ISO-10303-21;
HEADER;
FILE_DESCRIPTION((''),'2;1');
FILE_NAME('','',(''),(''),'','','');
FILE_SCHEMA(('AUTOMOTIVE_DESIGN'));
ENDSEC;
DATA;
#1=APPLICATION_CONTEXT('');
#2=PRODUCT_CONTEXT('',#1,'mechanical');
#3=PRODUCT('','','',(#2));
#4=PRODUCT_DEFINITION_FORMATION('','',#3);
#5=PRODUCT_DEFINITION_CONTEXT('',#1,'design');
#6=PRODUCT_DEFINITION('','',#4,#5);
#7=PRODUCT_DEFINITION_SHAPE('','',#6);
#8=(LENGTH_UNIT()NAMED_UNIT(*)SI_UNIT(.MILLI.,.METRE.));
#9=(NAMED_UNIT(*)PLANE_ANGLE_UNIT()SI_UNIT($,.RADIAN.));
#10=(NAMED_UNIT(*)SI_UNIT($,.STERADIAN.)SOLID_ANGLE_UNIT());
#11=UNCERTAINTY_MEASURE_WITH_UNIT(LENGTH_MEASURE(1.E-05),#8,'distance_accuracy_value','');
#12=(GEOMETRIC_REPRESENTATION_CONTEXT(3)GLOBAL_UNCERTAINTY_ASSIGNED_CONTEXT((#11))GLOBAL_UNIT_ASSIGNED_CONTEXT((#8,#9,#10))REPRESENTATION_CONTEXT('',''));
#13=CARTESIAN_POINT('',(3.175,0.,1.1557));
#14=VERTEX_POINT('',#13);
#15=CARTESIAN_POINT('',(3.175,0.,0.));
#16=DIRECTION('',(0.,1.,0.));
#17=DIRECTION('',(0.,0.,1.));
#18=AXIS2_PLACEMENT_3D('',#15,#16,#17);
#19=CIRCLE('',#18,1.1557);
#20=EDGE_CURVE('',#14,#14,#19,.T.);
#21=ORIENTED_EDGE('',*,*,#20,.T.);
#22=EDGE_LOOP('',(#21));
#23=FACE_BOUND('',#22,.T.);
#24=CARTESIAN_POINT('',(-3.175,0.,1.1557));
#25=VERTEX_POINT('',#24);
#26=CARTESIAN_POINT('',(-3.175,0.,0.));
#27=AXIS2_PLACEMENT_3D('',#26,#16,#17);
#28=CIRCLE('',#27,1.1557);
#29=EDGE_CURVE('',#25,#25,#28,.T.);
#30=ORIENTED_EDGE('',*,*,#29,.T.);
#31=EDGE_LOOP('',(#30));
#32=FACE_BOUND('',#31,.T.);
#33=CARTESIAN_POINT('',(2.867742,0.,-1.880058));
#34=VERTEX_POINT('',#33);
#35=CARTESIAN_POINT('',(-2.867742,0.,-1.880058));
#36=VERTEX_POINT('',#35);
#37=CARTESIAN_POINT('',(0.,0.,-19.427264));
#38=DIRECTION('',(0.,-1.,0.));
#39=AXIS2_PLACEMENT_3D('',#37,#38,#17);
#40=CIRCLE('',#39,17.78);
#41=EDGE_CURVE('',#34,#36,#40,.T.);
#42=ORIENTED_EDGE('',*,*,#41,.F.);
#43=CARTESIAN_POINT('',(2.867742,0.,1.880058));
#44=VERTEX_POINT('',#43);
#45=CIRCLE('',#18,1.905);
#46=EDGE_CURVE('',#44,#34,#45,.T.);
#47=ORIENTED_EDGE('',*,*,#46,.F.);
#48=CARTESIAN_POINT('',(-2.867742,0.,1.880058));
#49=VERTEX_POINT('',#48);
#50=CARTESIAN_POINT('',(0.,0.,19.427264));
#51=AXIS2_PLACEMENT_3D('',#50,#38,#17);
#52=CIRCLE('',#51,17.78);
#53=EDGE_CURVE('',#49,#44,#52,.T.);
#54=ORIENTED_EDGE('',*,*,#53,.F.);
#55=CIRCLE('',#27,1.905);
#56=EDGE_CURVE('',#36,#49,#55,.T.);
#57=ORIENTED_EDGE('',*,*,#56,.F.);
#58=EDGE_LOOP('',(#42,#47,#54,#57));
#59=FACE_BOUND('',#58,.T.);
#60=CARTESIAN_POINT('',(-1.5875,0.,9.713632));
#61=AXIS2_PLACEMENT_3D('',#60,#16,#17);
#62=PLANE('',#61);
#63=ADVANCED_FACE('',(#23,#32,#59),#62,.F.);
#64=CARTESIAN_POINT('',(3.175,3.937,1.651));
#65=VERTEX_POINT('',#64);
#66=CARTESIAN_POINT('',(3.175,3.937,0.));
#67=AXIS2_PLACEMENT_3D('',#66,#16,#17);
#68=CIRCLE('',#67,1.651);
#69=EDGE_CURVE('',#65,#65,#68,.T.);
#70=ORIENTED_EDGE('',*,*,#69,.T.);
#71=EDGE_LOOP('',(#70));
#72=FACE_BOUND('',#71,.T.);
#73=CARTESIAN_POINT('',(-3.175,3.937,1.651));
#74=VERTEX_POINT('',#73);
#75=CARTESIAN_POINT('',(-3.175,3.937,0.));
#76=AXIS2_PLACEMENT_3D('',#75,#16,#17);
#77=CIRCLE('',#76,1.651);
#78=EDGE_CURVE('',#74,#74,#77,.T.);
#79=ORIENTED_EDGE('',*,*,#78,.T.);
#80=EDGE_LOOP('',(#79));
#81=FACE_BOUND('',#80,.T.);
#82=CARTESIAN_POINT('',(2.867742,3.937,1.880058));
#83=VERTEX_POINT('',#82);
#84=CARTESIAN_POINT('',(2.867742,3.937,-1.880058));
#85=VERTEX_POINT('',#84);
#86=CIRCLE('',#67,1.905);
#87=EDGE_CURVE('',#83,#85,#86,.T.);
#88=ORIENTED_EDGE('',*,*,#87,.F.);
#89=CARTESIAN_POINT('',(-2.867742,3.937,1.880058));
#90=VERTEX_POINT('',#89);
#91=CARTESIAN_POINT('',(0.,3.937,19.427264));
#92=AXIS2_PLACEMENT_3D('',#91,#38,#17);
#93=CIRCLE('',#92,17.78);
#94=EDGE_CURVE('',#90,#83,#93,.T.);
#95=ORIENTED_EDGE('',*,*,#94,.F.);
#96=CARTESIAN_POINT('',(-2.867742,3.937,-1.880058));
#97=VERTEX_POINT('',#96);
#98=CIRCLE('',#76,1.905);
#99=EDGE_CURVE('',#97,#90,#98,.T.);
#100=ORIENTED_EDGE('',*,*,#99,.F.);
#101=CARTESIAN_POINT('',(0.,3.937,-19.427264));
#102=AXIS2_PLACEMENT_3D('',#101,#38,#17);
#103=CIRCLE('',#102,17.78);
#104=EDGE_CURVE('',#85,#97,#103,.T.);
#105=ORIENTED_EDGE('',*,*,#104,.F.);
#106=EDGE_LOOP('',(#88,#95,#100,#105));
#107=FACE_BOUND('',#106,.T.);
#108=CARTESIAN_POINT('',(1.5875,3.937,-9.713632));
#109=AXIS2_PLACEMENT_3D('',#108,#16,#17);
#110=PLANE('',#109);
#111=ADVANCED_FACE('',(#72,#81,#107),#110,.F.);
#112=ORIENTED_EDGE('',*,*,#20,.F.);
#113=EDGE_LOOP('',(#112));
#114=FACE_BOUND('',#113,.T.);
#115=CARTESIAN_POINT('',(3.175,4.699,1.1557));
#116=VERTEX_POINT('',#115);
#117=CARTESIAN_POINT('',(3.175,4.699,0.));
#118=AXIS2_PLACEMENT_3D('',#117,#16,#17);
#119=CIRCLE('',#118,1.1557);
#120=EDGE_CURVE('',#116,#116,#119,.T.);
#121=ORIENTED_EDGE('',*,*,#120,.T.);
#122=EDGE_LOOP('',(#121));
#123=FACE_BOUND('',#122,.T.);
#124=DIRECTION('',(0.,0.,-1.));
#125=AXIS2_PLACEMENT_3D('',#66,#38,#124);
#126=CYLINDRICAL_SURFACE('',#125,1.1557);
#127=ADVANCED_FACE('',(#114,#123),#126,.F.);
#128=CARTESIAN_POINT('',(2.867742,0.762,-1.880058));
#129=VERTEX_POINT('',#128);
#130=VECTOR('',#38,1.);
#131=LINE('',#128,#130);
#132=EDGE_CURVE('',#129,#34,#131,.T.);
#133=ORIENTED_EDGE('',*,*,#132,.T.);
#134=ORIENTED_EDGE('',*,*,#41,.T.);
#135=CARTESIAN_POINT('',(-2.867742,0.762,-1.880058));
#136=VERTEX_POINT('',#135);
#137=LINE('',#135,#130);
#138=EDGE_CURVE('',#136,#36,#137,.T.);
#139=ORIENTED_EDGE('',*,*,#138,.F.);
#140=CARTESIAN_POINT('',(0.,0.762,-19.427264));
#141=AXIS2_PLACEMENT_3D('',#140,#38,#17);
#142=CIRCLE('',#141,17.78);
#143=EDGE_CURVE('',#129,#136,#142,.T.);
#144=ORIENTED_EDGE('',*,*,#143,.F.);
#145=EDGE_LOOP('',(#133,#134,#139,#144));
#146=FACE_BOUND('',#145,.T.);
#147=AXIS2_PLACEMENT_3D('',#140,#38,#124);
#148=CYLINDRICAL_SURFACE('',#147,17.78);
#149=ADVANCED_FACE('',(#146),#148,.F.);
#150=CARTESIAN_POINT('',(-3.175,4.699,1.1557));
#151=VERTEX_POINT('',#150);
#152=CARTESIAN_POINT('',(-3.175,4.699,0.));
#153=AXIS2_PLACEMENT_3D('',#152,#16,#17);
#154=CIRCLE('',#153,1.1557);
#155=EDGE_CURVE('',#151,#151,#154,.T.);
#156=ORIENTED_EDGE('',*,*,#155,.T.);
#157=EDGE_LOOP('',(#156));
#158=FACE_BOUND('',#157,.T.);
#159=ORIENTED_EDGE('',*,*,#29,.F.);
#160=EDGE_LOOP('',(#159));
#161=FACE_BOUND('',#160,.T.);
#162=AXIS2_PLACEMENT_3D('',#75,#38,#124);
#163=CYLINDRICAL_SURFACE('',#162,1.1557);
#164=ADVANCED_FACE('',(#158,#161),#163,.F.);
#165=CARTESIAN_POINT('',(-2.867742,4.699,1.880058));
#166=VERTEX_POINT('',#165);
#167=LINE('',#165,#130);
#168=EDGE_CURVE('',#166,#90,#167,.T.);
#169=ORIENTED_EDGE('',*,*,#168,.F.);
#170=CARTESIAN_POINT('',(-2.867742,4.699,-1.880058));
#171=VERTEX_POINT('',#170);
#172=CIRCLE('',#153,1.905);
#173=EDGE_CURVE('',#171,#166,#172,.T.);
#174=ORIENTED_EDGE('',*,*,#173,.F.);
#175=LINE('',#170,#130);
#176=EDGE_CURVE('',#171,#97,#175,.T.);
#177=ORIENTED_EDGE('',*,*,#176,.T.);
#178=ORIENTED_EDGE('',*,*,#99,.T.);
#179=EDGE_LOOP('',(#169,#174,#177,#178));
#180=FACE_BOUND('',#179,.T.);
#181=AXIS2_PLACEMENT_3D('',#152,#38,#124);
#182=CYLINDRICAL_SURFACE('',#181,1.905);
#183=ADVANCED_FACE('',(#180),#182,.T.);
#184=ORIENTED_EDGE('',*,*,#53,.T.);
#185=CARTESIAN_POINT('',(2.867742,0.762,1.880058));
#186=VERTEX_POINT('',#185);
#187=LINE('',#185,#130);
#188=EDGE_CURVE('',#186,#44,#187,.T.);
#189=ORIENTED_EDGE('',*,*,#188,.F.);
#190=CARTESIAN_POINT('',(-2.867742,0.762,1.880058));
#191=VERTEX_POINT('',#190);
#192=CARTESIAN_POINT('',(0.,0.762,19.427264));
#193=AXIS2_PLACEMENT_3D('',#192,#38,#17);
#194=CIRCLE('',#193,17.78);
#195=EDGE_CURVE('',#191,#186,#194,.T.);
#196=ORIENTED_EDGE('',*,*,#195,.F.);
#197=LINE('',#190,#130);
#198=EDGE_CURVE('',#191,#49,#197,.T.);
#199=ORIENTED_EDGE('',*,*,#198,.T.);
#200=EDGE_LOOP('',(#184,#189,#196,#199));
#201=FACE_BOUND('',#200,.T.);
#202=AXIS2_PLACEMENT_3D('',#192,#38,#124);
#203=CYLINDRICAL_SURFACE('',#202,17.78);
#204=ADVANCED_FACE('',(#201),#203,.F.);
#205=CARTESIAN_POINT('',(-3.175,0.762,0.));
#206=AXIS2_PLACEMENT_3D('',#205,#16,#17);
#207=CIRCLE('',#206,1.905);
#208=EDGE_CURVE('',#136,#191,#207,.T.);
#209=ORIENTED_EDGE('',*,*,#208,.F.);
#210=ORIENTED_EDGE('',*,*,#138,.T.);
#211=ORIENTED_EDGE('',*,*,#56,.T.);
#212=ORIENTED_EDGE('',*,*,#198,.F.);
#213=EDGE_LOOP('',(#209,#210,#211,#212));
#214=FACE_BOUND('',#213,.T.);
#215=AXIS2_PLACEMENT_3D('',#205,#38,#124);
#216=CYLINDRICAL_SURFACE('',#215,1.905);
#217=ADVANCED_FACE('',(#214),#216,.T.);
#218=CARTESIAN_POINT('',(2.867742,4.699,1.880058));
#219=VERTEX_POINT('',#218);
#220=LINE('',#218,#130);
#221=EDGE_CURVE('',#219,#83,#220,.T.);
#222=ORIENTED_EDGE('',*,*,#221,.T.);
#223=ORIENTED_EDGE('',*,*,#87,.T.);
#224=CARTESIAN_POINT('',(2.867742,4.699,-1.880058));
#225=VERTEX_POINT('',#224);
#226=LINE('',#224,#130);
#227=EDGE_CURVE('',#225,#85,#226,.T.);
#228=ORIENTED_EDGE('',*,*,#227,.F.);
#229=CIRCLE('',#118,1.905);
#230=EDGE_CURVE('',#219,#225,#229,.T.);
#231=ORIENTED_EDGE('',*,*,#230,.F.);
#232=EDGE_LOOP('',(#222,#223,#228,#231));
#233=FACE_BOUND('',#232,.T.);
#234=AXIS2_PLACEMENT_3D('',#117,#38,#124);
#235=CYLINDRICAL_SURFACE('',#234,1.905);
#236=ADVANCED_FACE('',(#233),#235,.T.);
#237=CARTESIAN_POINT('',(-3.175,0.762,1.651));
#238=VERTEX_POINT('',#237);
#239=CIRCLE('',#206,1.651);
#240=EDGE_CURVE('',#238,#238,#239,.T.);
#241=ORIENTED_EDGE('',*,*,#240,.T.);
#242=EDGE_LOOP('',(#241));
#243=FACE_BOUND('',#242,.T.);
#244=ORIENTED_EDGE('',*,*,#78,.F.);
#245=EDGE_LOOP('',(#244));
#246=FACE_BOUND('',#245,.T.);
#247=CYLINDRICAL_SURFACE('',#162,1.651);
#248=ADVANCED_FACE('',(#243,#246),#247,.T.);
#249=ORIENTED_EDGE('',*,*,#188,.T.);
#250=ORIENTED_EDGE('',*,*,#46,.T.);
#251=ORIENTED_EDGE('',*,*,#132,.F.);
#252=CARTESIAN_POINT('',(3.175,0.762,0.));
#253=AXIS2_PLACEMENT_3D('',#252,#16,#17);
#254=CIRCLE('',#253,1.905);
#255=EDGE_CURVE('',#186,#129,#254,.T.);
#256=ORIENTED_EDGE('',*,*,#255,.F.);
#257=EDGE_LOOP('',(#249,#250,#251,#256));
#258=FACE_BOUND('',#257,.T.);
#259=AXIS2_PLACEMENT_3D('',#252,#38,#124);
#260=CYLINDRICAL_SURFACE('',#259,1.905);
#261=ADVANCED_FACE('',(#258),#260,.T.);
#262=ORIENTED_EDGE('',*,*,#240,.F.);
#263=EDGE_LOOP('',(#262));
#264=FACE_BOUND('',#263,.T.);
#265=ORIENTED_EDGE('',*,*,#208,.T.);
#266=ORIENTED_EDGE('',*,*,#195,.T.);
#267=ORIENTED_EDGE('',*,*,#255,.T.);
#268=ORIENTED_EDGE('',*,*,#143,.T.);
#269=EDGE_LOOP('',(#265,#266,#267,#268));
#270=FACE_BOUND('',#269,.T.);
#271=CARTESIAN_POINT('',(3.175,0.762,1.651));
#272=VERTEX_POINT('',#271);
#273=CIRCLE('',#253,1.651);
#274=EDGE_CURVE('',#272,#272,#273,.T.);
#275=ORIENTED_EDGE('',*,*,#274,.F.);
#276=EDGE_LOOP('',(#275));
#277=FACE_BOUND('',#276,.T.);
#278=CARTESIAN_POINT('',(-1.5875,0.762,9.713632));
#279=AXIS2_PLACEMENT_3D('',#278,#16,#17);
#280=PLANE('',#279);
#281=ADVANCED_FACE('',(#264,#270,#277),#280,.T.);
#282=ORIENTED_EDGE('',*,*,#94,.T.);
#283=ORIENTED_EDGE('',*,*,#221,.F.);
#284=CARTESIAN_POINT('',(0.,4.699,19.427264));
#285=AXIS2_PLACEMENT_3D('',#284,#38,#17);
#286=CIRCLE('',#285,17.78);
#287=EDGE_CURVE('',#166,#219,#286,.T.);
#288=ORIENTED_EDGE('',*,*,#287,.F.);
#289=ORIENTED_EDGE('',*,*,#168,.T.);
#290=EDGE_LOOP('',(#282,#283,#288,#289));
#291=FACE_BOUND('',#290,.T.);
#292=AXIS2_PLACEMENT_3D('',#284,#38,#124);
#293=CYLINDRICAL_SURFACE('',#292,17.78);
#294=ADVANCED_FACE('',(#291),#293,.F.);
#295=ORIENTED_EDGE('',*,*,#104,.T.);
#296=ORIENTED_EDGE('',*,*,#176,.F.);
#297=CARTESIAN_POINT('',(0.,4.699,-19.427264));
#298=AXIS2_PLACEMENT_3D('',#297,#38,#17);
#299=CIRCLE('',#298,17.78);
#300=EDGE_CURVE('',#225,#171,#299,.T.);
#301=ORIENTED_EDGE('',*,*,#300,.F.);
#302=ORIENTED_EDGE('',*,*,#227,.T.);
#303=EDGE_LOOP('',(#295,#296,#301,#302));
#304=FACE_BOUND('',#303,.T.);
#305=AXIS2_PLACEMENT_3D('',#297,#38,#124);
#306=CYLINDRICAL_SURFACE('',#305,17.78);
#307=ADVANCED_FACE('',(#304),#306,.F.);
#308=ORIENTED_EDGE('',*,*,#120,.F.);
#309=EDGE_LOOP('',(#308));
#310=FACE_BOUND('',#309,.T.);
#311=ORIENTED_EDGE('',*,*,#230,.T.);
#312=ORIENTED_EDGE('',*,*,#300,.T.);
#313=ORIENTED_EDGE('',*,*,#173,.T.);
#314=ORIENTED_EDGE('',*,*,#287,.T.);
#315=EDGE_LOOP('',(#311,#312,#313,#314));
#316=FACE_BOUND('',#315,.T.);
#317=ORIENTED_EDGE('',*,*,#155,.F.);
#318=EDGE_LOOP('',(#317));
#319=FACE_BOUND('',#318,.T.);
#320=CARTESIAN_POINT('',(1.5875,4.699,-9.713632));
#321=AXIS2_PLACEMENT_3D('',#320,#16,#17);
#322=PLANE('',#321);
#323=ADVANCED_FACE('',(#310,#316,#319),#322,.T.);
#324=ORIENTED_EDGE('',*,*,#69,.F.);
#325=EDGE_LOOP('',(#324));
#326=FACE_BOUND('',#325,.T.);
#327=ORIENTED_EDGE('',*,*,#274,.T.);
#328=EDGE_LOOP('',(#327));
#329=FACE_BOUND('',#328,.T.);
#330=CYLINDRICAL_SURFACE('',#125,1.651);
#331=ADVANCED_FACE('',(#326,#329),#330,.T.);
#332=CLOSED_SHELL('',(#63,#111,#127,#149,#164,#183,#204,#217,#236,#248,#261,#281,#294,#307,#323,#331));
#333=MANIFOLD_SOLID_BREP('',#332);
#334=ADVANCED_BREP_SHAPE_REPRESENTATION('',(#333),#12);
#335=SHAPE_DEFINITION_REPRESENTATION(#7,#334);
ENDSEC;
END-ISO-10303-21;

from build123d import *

# Parameters (mm, degrees)
BOSS_EXTRUDE1_DEPTH     = 0.762
SKETCH3_R               = 1.651
SKETCH3_R_2             = 1.1557
BOSS_EXTRUDE2_DEPTH     = 3.175
BOSS_EXTRUDE3_DEPTH     = 0.762
CUT_EXTRUDE1_DEPTH      = 7.703386756
CUT_EXTRUDE1_DEPTH_BACK = 7.703386756
SKETCH5_R               = 1.1557


with BuildPart() as part:
    # Sketch2 → Boss-Extrude1 (new body)
    with BuildSketch(Plane(origin=(0, 0, 0), x_dir=(1, 0, 0), z_dir=(0, 1, 0))):
        with BuildLine():
            ThreePointArc((2.867741935, -1.88005784), (5.08, 0), (2.867741935, 1.88005784))
            ThreePointArc((2.867741935, 1.88005784), (0, 1.647264347), (-2.867741935, 1.88005784))
            ThreePointArc((-2.867741935, 1.88005784), (-5.08, 0), (-2.867741935, -1.88005784))
            ThreePointArc((-2.867741935, -1.88005784), (0, -1.647264347), (2.867741935, -1.88005784))
        make_face()
    extrude(amount=BOSS_EXTRUDE1_DEPTH)

    # Sketch3 → Boss-Extrude2 (add)
    # profile 1 of 2: a face of its own
    with BuildSketch(Plane(origin=(0, 0.762, 0), x_dir=(1, 0, 0), z_dir=(0, 1, 0))):
        with Locations(Location((-3.175, 0, 0), (0, 0, 270))):
            Circle(SKETCH3_R)
        with Locations(Location((-3.175, 0, 0), (0, 0, 270))):
            Circle(SKETCH3_R_2, mode=Mode.SUBTRACT)
    # profile 2 of 2: a face of its own
    with BuildSketch(Plane(origin=(0, 0.762, 0), x_dir=(1, 0, 0), z_dir=(0, 1, 0))):
        with Locations(Location((3.175, 0, 0), (0, 0, 270))):
            Circle(SKETCH3_R)
        with Locations(Location((3.175, 0, 0), (0, 0, 270))):
            Circle(SKETCH3_R_2, mode=Mode.SUBTRACT)
    extrude(amount=BOSS_EXTRUDE2_DEPTH)

    # Sketch4 → Boss-Extrude3 (add)
    with BuildSketch(Plane(origin=(0, 3.937, 0), x_dir=(1, 0, 0), z_dir=(0, 1, 0))):
        with BuildLine():
            ThreePointArc((2.867741935, -1.88005784), (0, -1.647264347), (-2.867741935, -1.88005784))
            ThreePointArc((-2.867741935, -1.88005784), (-5.08, 0), (-2.867741935, 1.88005784))
            ThreePointArc((-2.867741935, 1.88005784), (0, 1.647264347), (2.867741935, 1.88005784))
            ThreePointArc((2.867741935, 1.88005784), (5.08, 0), (2.867741935, -1.88005784))
        make_face()
    extrude(amount=BOSS_EXTRUDE3_DEPTH)

    # Sketch5 → Cut-Extrude1 (cut, two sides: drawn at the far end of the back side and taken through both)
    with BuildSketch(Plane(origin=(0, 0.762, 0), x_dir=(1, 0, 0), z_dir=(0, 1, 0)).offset(-CUT_EXTRUDE1_DEPTH_BACK)):
        with Locations(Location((3.175, 0, 0), (0, 0, 270))):
            Circle(SKETCH5_R)
        with Locations(Location((-3.175, 0, 0), (0, 0, 270))):
            Circle(SKETCH5_R)
    extrude(amount=CUT_EXTRUDE1_DEPTH + CUT_EXTRUDE1_DEPTH_BACK, mode=Mode.SUBTRACT)


solid = part.part
